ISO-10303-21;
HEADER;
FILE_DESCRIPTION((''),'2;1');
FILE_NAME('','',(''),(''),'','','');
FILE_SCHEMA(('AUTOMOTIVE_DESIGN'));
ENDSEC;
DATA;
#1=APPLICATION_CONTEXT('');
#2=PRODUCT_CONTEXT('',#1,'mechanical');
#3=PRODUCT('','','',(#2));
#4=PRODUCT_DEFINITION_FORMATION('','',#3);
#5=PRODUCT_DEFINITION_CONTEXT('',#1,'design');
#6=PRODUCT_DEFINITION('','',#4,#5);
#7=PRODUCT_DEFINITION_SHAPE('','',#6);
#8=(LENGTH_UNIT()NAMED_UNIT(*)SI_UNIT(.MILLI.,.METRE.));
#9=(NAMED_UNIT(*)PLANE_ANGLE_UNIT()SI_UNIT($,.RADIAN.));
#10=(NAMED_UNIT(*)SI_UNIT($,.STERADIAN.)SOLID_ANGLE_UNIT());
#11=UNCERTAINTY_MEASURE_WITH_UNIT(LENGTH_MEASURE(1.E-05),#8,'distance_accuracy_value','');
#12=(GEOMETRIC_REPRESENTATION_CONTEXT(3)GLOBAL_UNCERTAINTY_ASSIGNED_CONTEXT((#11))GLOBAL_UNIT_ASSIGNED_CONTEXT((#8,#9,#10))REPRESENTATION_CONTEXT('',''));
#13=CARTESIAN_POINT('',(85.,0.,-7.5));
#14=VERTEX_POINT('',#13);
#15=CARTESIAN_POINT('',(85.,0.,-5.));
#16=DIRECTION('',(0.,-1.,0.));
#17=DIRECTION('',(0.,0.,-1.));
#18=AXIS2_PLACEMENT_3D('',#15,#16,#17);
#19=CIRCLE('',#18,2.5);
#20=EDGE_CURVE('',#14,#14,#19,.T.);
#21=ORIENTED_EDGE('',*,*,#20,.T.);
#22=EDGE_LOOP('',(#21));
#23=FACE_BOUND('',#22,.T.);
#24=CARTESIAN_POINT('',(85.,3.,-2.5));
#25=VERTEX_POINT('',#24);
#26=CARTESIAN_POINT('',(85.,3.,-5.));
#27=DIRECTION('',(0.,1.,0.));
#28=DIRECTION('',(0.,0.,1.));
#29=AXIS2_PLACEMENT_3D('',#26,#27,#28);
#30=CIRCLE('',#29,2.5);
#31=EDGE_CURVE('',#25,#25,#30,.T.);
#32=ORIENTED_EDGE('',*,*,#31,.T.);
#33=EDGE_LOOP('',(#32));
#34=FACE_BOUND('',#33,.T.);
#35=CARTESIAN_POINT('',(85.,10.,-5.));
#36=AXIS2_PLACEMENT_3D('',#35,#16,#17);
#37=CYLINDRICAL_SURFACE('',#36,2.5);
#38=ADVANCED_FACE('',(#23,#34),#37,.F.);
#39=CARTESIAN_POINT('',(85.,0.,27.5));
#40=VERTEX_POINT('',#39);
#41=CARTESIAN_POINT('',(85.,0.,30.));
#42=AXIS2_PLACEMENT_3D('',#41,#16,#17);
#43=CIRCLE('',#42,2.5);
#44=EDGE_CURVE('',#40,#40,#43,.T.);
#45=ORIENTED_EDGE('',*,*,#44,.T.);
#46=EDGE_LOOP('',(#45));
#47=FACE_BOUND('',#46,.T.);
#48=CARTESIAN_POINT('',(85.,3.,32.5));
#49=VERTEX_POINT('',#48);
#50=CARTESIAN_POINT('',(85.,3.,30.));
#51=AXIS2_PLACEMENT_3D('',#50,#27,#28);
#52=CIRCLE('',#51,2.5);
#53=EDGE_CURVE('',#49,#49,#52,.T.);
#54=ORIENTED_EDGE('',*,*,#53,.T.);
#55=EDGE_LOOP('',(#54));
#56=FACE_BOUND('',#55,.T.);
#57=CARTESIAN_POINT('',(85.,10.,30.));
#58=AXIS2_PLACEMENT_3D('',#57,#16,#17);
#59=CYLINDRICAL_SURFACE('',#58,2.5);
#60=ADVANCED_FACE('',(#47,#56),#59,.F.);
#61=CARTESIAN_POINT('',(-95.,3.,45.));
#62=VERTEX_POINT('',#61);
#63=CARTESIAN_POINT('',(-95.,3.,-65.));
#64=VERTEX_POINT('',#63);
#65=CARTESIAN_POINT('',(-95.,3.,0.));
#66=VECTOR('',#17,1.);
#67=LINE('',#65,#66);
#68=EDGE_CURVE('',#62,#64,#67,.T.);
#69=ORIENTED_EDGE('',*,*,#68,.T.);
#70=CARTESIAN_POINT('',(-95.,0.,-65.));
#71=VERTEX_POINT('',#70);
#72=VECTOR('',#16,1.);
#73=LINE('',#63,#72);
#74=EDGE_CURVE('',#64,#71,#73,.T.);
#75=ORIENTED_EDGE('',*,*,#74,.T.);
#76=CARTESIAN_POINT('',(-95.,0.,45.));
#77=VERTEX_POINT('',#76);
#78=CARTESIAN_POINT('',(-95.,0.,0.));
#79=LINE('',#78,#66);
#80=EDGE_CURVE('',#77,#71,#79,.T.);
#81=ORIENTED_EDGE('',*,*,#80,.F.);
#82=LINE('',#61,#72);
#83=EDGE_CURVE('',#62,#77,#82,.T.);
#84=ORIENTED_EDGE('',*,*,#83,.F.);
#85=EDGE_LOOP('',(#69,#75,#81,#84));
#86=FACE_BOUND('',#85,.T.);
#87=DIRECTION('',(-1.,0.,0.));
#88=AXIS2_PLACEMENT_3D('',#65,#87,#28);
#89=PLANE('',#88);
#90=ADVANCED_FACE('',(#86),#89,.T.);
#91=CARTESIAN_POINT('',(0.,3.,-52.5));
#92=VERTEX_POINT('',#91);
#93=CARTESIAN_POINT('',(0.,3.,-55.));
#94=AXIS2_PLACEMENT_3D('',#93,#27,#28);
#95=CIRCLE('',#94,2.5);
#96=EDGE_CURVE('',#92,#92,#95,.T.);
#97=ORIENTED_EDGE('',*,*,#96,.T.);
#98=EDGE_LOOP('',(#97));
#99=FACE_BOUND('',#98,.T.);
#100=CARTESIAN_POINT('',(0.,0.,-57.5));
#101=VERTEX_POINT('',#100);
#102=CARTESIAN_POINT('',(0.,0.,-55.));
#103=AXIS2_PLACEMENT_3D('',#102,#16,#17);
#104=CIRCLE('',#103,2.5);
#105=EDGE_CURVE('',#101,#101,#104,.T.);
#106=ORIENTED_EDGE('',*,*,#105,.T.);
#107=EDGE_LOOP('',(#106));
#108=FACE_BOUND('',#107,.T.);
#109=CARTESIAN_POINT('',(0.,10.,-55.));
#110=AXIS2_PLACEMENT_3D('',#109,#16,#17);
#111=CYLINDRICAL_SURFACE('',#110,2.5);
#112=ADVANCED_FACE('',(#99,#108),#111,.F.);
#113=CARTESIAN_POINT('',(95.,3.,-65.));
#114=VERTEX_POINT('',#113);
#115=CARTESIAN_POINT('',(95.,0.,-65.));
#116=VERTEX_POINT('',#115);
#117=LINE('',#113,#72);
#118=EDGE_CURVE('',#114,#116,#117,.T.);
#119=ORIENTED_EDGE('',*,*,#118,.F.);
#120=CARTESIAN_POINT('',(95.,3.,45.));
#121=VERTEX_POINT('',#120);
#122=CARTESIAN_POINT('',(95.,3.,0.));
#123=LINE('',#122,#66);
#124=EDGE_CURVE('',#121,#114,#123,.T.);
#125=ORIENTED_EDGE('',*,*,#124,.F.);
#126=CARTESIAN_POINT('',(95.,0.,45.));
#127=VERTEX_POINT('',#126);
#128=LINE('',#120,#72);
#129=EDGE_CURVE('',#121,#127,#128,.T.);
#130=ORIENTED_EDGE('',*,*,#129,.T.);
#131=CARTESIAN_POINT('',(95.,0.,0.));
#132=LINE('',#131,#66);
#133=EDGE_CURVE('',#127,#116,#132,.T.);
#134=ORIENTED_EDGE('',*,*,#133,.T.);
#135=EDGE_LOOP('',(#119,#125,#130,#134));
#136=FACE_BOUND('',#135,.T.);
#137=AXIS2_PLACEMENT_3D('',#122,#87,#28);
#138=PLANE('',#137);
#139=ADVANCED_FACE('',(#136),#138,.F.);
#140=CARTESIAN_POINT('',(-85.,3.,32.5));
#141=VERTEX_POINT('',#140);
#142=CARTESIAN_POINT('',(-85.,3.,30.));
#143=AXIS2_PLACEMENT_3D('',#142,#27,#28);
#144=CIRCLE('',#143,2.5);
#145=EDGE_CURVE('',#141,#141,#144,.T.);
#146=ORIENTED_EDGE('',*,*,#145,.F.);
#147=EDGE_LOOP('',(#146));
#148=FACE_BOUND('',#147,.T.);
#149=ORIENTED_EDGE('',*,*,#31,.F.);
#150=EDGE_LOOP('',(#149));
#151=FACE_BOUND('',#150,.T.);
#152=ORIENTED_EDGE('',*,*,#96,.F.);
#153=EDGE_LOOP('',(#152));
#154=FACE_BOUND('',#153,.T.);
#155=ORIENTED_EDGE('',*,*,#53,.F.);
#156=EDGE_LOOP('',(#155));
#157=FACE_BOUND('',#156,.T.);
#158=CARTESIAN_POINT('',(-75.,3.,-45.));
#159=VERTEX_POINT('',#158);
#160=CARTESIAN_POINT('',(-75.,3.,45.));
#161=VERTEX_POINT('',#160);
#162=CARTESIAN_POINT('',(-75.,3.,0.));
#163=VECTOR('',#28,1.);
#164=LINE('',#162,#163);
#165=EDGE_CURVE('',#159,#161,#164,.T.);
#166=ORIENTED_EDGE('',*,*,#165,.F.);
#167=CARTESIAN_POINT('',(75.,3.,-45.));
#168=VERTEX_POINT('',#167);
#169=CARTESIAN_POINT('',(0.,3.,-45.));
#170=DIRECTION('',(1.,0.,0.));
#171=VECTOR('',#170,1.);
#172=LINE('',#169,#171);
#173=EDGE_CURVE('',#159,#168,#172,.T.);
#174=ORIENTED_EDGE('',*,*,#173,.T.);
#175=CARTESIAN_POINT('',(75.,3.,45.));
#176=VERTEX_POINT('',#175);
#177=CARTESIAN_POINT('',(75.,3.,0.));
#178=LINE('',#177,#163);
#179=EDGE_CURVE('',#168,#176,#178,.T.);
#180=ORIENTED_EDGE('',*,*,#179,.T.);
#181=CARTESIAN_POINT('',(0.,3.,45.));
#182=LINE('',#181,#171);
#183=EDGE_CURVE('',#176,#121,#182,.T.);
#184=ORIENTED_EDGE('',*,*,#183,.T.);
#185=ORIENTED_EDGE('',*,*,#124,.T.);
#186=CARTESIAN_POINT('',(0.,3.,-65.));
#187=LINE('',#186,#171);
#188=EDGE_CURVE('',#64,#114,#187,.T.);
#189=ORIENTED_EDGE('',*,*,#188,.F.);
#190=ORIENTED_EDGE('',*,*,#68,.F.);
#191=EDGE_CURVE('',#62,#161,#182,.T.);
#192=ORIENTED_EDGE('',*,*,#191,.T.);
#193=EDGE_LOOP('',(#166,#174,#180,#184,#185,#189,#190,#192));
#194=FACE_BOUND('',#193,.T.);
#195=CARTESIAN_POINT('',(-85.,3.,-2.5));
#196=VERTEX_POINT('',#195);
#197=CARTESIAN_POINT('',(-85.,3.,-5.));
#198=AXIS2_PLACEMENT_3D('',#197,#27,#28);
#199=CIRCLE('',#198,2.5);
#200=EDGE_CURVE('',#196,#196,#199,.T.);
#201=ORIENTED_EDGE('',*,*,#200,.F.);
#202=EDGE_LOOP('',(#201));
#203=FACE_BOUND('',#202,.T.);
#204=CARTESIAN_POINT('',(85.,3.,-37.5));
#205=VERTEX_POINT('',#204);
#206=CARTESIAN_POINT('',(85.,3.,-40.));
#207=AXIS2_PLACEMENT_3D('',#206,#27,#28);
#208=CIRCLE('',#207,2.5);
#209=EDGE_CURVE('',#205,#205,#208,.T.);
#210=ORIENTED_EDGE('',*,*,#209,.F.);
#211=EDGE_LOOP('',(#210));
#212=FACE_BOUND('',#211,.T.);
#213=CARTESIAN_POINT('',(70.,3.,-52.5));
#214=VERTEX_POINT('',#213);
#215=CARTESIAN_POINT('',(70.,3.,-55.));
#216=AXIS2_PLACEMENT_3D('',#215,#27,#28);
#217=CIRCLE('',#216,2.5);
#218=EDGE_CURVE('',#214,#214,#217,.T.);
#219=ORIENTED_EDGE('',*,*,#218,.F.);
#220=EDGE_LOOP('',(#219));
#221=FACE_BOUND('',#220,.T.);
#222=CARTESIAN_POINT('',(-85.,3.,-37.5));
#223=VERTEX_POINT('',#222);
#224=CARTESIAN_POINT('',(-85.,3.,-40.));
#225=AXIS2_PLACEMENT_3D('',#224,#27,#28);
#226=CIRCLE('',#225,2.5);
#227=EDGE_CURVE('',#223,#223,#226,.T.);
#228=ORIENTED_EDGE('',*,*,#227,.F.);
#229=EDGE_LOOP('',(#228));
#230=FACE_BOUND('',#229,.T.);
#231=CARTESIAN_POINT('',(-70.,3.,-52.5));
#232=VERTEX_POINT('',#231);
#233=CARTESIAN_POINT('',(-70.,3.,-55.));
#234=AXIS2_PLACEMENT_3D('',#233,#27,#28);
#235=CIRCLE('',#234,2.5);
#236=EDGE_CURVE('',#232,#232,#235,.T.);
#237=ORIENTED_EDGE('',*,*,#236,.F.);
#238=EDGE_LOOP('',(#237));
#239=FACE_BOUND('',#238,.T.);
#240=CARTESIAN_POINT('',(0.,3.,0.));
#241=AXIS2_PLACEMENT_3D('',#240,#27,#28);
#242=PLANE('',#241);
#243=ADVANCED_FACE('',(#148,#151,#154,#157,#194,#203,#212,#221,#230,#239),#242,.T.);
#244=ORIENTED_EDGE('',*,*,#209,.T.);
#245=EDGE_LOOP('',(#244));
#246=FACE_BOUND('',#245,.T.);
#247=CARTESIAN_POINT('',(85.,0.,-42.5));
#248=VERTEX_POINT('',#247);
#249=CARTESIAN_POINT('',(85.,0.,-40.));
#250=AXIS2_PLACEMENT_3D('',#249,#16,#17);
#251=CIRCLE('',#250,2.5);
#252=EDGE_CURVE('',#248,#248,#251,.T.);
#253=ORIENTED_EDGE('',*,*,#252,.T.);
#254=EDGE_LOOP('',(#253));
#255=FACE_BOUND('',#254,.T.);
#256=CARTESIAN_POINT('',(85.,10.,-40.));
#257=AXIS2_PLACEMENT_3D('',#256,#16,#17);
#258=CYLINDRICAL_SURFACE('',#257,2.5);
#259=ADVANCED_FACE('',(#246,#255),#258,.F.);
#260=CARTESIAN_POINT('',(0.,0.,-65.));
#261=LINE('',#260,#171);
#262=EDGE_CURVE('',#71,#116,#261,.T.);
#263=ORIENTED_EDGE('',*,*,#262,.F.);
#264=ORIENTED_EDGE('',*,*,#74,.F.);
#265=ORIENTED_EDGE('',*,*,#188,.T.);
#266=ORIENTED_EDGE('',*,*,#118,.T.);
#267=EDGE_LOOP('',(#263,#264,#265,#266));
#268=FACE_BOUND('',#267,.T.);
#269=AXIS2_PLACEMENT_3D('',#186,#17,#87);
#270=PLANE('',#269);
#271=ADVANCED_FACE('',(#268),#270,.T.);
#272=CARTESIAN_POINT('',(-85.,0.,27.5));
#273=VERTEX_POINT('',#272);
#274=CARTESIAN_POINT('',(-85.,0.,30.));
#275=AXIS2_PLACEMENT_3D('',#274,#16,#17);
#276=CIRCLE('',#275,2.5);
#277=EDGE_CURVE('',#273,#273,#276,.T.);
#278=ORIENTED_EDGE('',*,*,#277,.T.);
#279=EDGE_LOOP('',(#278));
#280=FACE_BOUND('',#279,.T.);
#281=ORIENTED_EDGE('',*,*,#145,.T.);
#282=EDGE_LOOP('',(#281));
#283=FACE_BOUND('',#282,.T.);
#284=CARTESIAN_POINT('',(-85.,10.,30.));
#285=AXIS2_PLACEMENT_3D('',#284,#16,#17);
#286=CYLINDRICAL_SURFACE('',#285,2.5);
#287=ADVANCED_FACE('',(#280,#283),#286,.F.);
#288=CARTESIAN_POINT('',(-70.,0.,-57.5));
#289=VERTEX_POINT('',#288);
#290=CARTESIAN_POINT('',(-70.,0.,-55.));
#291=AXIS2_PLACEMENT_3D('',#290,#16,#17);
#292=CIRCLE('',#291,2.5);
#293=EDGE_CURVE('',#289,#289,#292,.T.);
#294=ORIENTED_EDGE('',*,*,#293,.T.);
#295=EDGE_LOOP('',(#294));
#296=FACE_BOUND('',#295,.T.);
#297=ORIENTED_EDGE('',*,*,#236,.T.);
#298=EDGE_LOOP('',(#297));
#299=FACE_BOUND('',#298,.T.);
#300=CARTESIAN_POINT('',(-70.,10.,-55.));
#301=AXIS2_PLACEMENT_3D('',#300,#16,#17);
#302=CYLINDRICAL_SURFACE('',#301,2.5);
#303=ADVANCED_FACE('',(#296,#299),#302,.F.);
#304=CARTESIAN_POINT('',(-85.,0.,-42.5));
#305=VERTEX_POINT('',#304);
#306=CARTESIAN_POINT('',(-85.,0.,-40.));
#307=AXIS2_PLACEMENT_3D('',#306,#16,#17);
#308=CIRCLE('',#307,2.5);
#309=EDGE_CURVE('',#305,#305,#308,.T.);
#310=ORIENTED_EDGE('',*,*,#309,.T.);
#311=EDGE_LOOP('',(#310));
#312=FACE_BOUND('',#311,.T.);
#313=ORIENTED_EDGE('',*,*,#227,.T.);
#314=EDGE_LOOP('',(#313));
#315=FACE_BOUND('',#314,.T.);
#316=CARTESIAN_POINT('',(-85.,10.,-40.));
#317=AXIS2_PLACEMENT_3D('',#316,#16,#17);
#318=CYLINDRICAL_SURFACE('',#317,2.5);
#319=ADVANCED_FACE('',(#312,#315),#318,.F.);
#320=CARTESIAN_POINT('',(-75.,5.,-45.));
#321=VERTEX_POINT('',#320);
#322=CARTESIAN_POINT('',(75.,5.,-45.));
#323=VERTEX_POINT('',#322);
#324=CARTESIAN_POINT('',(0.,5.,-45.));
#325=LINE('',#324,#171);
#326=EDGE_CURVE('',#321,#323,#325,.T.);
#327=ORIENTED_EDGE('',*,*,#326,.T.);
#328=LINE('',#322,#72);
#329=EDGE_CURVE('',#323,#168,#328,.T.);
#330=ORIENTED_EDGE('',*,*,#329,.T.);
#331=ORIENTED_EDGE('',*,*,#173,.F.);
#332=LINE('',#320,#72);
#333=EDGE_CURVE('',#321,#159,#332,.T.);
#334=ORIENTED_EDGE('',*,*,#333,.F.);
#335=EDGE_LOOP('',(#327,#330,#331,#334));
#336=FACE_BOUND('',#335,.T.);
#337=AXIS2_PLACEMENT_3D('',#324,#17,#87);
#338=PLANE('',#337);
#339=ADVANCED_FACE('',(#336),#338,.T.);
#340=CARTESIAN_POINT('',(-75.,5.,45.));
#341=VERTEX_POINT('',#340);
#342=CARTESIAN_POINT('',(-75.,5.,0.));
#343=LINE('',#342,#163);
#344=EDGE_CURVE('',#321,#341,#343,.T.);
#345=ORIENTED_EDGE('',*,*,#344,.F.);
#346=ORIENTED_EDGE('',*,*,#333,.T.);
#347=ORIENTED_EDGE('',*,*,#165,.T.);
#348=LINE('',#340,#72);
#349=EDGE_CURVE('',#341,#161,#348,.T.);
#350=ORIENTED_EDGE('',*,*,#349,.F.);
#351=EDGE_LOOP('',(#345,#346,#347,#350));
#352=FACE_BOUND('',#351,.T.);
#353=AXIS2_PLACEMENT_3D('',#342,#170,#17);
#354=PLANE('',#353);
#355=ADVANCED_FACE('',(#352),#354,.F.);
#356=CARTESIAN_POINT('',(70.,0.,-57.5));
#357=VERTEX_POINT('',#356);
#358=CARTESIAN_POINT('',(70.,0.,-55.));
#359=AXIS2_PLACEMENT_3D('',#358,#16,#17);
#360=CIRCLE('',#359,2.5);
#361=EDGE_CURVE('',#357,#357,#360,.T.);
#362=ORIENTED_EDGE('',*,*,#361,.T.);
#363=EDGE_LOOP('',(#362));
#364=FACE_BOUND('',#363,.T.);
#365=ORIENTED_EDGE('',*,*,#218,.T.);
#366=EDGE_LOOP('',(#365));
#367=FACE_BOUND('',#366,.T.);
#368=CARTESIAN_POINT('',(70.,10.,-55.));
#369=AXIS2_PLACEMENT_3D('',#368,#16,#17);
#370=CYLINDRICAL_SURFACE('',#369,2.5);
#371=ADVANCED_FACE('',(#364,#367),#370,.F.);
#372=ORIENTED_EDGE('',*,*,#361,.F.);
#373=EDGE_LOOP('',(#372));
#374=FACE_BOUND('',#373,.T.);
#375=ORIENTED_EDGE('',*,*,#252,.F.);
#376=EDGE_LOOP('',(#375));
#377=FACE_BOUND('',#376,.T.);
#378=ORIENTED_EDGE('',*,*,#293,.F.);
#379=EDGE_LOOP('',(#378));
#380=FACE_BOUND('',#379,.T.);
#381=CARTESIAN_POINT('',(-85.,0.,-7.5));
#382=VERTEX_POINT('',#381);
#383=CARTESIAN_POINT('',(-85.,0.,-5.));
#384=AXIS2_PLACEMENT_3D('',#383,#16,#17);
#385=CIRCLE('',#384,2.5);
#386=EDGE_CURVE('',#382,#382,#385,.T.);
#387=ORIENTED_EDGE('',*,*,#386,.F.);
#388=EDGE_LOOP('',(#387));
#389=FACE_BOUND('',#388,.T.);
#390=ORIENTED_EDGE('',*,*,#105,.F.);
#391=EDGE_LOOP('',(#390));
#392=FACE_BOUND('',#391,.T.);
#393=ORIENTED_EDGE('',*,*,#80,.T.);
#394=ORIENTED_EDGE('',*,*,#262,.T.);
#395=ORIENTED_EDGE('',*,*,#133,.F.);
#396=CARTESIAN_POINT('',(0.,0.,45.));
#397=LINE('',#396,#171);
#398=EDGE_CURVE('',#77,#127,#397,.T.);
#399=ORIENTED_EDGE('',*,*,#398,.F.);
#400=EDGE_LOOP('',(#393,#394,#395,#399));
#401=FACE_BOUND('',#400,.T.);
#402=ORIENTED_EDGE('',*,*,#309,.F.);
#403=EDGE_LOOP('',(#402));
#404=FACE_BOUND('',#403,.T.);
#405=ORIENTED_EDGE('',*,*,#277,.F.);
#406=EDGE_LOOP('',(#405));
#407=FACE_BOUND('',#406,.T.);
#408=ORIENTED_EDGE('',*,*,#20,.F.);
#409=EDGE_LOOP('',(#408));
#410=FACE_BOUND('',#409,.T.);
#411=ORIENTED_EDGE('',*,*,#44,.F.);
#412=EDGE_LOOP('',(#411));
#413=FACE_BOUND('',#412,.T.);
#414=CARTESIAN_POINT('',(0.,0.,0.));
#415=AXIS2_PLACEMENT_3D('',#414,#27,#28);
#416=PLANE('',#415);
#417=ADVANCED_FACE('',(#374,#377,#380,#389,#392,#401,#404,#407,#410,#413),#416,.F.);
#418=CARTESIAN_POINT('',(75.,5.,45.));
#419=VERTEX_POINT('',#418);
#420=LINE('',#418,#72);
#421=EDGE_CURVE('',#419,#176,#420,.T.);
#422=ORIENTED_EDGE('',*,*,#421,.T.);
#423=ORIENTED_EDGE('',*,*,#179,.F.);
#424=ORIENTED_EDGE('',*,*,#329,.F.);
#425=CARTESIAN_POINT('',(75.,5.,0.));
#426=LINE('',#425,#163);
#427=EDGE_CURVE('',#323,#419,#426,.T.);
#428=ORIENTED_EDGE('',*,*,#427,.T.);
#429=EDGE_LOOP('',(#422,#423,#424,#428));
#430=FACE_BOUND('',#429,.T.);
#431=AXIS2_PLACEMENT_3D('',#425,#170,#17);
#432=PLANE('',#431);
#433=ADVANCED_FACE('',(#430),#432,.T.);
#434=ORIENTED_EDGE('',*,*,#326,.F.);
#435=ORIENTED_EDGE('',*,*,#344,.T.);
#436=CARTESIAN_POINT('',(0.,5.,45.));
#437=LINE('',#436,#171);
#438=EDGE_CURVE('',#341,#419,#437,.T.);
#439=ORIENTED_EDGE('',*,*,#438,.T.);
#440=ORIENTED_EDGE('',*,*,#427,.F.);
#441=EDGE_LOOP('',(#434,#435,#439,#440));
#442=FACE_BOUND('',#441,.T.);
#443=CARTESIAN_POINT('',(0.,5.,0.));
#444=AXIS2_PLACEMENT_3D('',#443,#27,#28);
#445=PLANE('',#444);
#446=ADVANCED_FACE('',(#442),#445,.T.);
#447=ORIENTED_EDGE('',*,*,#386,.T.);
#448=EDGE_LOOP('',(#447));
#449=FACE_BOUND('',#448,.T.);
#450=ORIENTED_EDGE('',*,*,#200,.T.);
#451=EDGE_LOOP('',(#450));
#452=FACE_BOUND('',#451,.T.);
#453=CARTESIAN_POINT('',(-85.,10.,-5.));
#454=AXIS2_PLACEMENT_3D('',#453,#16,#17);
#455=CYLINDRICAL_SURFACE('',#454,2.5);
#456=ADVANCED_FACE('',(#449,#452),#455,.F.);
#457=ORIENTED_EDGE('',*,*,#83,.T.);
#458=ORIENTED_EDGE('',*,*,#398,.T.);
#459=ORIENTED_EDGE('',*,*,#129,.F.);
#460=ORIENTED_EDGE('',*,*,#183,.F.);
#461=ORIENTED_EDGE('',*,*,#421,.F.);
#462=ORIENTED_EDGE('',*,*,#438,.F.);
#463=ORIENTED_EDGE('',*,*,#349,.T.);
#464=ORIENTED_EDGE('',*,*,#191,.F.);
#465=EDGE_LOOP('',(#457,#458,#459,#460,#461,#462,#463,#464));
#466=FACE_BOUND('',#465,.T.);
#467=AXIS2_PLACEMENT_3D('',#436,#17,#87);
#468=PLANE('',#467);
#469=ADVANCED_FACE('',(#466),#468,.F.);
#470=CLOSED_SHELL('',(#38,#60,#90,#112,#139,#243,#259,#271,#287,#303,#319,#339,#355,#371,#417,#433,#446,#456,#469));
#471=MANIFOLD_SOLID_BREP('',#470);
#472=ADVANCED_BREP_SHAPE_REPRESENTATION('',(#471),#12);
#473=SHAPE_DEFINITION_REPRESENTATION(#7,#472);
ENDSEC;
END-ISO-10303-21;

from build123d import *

# Parameters (mm, degrees)
CROQUIS1_W              = 150
CROQUIS1_H              = 90
SALIENTE_EXTRUIR1_DEPTH = 5
SALIENTE_EXTRUIR2_DEPTH = 3
CROQUIS2_R              = 2.5
CORTAR_EXTRUIR1_DEPTH   = 10


with BuildPart() as part:
    # Croquis1 → Saliente-Extruir1 (new body)
    with BuildSketch(Plane(origin=(0, 0, 0), x_dir=(1, 0, 0), z_dir=(0, 1, 0))):
        Rectangle(CROQUIS1_W, CROQUIS1_H)
    extrude(amount=SALIENTE_EXTRUIR1_DEPTH)

    # Croquis1<3> → Saliente-Extruir2 (add)
    with BuildSketch(Plane(origin=(0, 0, 0), x_dir=(1, 0, 0), z_dir=(0, 1, 0))):
        Polygon((-75, -45), (-75, 45), (75, 45), (75, -45), (95, -45), (95, 65), (-95, 65), (-95, -45), align=None)
    extrude(amount=SALIENTE_EXTRUIR2_DEPTH)

    # Croquis2 → Cortar-Extruir1 (cut)
    with BuildSketch(Plane.XZ):
        with Locations((85, 30)):
            Circle(CROQUIS2_R)
        with Locations((70, -55)):
            Circle(CROQUIS2_R)
        with Locations((-85, -40)):
            Circle(CROQUIS2_R)
        with Locations((-85, -5)):
            Circle(CROQUIS2_R)
        with Locations((-85, 30)):
            Circle(CROQUIS2_R)
        with Locations((0, -55)):
            Circle(CROQUIS2_R)
        with Locations((-70, -55)):
            Circle(CROQUIS2_R)
        with Locations((85, -5)):
            Circle(CROQUIS2_R)
        with Locations((85, -40)):
            Circle(CROQUIS2_R)
    extrude(amount=-CORTAR_EXTRUIR1_DEPTH, mode=Mode.SUBTRACT)


solid = part.part
